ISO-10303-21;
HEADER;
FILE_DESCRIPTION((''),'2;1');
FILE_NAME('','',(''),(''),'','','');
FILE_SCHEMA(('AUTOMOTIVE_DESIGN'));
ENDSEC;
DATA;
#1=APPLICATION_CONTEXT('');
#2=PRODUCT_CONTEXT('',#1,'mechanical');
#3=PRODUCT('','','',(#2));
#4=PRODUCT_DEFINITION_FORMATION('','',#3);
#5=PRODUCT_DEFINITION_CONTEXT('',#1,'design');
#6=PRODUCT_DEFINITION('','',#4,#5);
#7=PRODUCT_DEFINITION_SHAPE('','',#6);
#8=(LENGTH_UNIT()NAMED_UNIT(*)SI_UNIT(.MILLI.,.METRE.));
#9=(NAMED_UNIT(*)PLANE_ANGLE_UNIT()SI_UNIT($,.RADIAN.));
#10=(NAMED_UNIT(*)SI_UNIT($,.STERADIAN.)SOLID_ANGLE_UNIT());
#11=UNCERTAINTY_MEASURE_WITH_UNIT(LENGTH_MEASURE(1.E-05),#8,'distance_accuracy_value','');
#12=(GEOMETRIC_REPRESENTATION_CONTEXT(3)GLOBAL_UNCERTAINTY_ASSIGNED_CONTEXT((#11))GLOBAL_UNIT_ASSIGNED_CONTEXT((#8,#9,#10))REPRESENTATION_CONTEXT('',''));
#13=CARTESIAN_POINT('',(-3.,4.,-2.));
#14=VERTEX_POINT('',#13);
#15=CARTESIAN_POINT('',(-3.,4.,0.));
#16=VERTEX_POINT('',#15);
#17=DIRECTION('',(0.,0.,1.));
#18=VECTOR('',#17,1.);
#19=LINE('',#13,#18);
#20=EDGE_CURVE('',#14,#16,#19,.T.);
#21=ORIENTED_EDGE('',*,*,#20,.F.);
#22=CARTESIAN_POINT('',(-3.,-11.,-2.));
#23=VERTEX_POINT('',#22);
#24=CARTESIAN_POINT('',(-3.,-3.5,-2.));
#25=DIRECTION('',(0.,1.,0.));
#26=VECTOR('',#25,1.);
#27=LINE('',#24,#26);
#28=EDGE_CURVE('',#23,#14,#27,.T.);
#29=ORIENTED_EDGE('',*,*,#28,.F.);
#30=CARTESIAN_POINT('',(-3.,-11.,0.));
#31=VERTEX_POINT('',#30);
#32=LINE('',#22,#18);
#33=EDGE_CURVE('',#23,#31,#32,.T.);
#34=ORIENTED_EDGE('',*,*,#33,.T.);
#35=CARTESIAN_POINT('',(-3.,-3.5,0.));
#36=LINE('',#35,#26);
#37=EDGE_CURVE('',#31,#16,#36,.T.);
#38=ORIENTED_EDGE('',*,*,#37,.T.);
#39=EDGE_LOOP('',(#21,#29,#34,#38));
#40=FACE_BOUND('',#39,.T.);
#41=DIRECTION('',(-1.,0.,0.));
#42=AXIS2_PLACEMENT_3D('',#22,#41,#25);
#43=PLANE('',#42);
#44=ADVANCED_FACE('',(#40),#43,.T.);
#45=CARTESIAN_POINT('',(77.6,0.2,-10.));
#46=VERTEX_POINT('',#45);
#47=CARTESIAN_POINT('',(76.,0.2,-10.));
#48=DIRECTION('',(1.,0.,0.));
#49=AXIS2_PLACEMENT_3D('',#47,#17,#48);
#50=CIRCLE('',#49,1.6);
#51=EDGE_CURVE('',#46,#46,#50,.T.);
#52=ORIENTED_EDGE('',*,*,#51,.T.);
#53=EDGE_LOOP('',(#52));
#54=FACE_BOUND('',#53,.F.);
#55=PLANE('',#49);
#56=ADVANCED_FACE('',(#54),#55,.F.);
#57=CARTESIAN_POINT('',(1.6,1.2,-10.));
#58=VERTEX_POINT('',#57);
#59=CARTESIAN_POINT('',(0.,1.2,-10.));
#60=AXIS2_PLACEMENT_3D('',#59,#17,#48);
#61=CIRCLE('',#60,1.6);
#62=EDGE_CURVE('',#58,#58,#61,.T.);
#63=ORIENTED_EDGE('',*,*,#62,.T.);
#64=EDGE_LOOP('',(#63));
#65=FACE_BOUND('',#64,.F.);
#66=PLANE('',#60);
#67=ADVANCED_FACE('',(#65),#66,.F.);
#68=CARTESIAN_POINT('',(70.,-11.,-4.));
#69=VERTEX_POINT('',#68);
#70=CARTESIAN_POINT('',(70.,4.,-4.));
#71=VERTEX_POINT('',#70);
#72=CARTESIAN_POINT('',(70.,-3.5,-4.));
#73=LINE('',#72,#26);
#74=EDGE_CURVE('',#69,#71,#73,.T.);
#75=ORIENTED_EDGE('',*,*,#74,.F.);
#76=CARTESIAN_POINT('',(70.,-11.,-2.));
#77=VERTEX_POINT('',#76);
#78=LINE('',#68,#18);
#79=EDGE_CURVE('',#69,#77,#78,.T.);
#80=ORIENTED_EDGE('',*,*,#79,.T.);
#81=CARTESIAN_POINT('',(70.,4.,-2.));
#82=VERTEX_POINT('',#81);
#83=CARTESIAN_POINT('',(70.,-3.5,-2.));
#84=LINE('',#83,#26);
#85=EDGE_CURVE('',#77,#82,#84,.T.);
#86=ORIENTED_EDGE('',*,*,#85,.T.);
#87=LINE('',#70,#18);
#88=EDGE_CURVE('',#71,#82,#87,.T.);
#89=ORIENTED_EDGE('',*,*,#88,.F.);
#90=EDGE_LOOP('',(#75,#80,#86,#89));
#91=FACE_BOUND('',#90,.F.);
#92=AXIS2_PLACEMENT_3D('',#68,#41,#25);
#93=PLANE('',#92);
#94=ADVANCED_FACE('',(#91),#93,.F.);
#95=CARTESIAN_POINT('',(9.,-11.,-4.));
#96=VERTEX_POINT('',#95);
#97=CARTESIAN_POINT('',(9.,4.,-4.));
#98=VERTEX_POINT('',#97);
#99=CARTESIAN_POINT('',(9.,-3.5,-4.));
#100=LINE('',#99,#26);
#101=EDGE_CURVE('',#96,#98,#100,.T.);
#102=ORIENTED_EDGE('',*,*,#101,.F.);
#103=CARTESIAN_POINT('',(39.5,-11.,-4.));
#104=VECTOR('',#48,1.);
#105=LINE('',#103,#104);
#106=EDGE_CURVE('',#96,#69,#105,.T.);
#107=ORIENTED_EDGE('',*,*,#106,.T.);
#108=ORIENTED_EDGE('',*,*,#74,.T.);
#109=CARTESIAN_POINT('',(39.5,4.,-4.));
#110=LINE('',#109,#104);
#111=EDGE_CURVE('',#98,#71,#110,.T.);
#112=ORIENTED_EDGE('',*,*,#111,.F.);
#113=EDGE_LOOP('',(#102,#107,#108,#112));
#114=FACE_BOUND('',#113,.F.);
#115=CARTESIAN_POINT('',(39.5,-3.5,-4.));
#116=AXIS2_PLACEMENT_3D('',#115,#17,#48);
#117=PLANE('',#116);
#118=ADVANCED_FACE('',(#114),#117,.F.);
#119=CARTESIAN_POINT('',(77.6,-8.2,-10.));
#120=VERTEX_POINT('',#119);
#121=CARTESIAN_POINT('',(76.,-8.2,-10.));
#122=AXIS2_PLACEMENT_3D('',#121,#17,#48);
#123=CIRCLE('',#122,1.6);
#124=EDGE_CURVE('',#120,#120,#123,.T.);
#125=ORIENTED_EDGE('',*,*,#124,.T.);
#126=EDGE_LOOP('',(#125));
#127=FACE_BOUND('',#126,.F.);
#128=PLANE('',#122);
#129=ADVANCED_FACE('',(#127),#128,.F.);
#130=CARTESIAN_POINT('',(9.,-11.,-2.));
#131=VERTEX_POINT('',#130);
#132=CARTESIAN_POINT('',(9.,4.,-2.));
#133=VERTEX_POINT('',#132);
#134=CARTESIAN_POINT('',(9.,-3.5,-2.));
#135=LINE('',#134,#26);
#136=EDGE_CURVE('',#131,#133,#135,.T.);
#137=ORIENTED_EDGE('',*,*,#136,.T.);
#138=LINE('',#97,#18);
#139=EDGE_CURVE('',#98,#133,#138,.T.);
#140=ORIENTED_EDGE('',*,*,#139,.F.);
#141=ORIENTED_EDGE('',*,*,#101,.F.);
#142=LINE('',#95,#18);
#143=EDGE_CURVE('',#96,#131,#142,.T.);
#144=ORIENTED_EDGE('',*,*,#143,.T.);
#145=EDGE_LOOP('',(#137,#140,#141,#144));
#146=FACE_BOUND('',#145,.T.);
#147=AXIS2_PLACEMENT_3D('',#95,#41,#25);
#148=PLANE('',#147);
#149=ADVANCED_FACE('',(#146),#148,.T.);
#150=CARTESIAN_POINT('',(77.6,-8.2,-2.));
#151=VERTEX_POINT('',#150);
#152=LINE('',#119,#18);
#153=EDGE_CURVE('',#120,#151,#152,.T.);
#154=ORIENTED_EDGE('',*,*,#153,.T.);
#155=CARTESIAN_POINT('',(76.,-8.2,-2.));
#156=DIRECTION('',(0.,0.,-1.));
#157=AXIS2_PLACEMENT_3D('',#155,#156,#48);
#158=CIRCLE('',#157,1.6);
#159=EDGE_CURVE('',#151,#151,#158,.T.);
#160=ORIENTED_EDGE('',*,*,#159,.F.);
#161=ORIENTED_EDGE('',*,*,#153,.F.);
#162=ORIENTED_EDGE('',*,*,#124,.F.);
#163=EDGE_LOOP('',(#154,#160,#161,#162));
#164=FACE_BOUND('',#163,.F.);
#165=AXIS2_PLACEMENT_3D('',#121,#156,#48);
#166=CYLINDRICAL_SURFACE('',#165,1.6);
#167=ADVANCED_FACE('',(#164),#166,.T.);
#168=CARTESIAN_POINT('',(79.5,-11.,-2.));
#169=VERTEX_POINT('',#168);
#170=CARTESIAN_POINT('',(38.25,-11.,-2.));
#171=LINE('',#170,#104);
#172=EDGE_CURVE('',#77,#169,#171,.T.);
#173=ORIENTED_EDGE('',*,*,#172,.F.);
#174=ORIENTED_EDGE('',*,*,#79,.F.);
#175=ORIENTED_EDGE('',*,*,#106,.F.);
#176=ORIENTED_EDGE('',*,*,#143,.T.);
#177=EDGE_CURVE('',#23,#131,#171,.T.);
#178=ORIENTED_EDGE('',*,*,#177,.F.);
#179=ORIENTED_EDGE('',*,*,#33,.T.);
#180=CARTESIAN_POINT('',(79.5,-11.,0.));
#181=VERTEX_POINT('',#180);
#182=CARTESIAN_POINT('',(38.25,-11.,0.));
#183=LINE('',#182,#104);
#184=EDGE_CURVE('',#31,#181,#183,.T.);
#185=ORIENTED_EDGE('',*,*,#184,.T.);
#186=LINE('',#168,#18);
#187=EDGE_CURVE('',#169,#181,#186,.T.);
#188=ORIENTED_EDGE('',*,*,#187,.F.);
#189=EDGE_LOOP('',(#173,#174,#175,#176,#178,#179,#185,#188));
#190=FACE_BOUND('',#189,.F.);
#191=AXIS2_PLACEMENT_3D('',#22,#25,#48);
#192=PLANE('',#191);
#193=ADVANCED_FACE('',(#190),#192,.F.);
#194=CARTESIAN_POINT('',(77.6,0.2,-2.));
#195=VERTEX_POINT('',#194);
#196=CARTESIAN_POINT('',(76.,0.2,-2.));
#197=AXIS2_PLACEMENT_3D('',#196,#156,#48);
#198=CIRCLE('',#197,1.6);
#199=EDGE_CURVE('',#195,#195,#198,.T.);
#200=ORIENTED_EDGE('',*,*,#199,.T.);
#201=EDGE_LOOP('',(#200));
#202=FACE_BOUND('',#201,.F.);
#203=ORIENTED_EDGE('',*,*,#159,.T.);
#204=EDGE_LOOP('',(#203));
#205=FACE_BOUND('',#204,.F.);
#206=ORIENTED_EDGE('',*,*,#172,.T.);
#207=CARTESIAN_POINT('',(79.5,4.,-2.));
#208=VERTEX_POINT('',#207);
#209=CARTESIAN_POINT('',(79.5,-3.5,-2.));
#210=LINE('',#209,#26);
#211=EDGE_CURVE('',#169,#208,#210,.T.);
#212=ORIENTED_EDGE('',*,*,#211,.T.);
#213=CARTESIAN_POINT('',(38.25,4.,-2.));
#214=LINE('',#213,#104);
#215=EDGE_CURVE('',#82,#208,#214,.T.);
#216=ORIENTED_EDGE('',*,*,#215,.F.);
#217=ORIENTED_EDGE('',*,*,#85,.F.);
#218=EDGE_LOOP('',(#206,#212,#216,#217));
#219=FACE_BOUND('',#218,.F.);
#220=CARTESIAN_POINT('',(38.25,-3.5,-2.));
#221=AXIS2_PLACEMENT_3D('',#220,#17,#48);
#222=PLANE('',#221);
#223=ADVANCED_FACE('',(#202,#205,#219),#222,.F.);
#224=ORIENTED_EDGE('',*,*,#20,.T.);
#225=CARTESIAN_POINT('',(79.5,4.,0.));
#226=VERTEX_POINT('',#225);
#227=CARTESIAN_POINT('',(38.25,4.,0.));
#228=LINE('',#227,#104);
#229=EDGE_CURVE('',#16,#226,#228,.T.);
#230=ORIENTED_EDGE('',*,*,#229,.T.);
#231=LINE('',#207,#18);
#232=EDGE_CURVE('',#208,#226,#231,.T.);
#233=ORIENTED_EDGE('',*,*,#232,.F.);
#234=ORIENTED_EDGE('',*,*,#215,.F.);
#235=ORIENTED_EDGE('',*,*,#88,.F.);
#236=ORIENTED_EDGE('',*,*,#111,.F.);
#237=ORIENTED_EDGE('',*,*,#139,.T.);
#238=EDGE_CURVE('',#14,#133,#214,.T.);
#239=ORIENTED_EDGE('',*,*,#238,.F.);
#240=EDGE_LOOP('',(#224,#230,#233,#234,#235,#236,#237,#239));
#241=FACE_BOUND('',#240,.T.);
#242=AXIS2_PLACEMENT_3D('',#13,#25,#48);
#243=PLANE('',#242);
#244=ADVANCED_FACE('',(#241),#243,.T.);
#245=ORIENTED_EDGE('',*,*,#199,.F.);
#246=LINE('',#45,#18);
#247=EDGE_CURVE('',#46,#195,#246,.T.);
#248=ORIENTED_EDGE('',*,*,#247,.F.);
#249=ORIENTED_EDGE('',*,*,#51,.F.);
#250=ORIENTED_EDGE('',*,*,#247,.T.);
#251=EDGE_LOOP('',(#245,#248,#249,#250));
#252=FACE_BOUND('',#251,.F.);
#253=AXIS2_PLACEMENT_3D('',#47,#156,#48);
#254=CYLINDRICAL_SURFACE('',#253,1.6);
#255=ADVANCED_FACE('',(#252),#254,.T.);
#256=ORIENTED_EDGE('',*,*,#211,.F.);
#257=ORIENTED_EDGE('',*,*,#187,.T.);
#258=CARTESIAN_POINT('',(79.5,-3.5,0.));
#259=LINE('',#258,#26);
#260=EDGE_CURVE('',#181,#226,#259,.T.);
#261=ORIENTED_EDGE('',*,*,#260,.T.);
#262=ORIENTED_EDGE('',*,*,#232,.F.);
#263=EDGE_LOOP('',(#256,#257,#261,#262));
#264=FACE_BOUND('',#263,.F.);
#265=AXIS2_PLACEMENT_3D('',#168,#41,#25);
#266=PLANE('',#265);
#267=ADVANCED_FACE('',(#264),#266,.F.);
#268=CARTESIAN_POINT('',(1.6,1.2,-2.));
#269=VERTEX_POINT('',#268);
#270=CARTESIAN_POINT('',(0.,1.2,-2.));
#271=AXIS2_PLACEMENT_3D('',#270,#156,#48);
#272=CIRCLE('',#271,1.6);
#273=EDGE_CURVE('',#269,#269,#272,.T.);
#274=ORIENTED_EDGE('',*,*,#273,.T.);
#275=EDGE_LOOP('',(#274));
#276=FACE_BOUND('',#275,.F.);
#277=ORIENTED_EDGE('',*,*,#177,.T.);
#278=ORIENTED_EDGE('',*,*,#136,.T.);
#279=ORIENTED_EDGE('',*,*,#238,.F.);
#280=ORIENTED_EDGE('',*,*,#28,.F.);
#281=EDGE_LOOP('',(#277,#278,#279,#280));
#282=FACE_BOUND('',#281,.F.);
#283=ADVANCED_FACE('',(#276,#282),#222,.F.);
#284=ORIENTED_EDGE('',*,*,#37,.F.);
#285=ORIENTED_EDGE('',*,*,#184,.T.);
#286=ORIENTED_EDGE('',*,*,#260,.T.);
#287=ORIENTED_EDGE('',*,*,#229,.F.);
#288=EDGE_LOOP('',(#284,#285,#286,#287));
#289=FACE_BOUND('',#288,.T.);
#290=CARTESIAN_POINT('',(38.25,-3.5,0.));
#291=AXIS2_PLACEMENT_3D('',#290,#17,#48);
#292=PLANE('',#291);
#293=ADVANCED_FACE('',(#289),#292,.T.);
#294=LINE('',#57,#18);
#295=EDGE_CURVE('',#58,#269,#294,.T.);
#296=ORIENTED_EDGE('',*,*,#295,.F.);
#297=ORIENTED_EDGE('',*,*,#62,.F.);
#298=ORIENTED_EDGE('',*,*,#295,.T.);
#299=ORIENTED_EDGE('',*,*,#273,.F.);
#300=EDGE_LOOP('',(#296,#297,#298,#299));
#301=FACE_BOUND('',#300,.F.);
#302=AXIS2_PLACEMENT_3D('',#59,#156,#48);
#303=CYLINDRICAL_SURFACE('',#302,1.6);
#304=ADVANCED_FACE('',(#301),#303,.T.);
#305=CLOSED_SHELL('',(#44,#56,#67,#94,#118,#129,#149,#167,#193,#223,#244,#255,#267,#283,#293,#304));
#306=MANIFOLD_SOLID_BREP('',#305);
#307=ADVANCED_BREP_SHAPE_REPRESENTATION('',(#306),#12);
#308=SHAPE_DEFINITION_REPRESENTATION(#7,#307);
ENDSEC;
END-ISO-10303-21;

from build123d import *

# Parameters (mm, degrees)
CYLINDER_R        = 1.6
CYLINDER_DEPTH    = 10
BOX001_W          = 61
BOX001_H          = 15
BOX001_DEPTH      = 2
BOX_W             = 82.5
BOX_H             = 15
BOX_DEPTH         = 2
CYLINDER003_R     = 1.6
CYLINDER003_DEPTH = 10
CYLINDER002_R     = 1.6
CYLINDER002_DEPTH = 10


with BuildPart() as taladro1:
    # Cylinder → Cylinder (new body)
    with BuildSketch(Plane(origin=(0, 1.2, -10), x_dir=(1, 0, 0), z_dir=(0, 0, 1))):
        Circle(CYLINDER_R)
    extrude(amount=CYLINDER_DEPTH)


with BuildPart() as perfora_2mm_centro:
    # Box001 → Box001 (new body)
    with BuildSketch(Plane(origin=(12, 0, -2), x_dir=(1, 0, 0), z_dir=(0, 0, 1))):
        with Locations((30.5, 7.5)):
            Rectangle(BOX001_W, BOX001_H)
    extrude(amount=BOX001_DEPTH)


with BuildPart() as fusion001:
    # Box → Box (new body)
    with BuildSketch(Plane.XY):
        with Locations((41.25, 7.5)):
            Rectangle(BOX_W, BOX_H)
    extrude(amount=BOX_DEPTH)

    # Fusion: union perfora_2mm_centro
    add(perfora_2mm_centro.part)


with BuildPart() as fusion001_1:
    # Fusion placement: moved
    add(fusion001.part.moved(Location((-3, -11, -2))))

    # Fusion001: union taladro1
    add(taladro1.part)


with BuildPart() as fusion002:
    # Cylinder003 → Cylinder003 (new body)
    with BuildSketch(Plane(origin=(76, 0.2, -10), x_dir=(1, 0, 0), z_dir=(0, 0, 1))):
        Circle(CYLINDER003_R)
    extrude(amount=CYLINDER003_DEPTH)

    # Fusion002: union Fusion001
    add(fusion001_1.part)


with BuildPart() as fusion007:
    # Cylinder002 → Cylinder002 (new body)
    with BuildSketch(Plane(origin=(76, -8.2, -10), x_dir=(1, 0, 0), z_dir=(0, 0, 1))):
        Circle(CYLINDER002_R)
    extrude(amount=CYLINDER002_DEPTH)

    # Fusion007: union Fusion002
    add(fusion002.part)


solid = fusion007.part
